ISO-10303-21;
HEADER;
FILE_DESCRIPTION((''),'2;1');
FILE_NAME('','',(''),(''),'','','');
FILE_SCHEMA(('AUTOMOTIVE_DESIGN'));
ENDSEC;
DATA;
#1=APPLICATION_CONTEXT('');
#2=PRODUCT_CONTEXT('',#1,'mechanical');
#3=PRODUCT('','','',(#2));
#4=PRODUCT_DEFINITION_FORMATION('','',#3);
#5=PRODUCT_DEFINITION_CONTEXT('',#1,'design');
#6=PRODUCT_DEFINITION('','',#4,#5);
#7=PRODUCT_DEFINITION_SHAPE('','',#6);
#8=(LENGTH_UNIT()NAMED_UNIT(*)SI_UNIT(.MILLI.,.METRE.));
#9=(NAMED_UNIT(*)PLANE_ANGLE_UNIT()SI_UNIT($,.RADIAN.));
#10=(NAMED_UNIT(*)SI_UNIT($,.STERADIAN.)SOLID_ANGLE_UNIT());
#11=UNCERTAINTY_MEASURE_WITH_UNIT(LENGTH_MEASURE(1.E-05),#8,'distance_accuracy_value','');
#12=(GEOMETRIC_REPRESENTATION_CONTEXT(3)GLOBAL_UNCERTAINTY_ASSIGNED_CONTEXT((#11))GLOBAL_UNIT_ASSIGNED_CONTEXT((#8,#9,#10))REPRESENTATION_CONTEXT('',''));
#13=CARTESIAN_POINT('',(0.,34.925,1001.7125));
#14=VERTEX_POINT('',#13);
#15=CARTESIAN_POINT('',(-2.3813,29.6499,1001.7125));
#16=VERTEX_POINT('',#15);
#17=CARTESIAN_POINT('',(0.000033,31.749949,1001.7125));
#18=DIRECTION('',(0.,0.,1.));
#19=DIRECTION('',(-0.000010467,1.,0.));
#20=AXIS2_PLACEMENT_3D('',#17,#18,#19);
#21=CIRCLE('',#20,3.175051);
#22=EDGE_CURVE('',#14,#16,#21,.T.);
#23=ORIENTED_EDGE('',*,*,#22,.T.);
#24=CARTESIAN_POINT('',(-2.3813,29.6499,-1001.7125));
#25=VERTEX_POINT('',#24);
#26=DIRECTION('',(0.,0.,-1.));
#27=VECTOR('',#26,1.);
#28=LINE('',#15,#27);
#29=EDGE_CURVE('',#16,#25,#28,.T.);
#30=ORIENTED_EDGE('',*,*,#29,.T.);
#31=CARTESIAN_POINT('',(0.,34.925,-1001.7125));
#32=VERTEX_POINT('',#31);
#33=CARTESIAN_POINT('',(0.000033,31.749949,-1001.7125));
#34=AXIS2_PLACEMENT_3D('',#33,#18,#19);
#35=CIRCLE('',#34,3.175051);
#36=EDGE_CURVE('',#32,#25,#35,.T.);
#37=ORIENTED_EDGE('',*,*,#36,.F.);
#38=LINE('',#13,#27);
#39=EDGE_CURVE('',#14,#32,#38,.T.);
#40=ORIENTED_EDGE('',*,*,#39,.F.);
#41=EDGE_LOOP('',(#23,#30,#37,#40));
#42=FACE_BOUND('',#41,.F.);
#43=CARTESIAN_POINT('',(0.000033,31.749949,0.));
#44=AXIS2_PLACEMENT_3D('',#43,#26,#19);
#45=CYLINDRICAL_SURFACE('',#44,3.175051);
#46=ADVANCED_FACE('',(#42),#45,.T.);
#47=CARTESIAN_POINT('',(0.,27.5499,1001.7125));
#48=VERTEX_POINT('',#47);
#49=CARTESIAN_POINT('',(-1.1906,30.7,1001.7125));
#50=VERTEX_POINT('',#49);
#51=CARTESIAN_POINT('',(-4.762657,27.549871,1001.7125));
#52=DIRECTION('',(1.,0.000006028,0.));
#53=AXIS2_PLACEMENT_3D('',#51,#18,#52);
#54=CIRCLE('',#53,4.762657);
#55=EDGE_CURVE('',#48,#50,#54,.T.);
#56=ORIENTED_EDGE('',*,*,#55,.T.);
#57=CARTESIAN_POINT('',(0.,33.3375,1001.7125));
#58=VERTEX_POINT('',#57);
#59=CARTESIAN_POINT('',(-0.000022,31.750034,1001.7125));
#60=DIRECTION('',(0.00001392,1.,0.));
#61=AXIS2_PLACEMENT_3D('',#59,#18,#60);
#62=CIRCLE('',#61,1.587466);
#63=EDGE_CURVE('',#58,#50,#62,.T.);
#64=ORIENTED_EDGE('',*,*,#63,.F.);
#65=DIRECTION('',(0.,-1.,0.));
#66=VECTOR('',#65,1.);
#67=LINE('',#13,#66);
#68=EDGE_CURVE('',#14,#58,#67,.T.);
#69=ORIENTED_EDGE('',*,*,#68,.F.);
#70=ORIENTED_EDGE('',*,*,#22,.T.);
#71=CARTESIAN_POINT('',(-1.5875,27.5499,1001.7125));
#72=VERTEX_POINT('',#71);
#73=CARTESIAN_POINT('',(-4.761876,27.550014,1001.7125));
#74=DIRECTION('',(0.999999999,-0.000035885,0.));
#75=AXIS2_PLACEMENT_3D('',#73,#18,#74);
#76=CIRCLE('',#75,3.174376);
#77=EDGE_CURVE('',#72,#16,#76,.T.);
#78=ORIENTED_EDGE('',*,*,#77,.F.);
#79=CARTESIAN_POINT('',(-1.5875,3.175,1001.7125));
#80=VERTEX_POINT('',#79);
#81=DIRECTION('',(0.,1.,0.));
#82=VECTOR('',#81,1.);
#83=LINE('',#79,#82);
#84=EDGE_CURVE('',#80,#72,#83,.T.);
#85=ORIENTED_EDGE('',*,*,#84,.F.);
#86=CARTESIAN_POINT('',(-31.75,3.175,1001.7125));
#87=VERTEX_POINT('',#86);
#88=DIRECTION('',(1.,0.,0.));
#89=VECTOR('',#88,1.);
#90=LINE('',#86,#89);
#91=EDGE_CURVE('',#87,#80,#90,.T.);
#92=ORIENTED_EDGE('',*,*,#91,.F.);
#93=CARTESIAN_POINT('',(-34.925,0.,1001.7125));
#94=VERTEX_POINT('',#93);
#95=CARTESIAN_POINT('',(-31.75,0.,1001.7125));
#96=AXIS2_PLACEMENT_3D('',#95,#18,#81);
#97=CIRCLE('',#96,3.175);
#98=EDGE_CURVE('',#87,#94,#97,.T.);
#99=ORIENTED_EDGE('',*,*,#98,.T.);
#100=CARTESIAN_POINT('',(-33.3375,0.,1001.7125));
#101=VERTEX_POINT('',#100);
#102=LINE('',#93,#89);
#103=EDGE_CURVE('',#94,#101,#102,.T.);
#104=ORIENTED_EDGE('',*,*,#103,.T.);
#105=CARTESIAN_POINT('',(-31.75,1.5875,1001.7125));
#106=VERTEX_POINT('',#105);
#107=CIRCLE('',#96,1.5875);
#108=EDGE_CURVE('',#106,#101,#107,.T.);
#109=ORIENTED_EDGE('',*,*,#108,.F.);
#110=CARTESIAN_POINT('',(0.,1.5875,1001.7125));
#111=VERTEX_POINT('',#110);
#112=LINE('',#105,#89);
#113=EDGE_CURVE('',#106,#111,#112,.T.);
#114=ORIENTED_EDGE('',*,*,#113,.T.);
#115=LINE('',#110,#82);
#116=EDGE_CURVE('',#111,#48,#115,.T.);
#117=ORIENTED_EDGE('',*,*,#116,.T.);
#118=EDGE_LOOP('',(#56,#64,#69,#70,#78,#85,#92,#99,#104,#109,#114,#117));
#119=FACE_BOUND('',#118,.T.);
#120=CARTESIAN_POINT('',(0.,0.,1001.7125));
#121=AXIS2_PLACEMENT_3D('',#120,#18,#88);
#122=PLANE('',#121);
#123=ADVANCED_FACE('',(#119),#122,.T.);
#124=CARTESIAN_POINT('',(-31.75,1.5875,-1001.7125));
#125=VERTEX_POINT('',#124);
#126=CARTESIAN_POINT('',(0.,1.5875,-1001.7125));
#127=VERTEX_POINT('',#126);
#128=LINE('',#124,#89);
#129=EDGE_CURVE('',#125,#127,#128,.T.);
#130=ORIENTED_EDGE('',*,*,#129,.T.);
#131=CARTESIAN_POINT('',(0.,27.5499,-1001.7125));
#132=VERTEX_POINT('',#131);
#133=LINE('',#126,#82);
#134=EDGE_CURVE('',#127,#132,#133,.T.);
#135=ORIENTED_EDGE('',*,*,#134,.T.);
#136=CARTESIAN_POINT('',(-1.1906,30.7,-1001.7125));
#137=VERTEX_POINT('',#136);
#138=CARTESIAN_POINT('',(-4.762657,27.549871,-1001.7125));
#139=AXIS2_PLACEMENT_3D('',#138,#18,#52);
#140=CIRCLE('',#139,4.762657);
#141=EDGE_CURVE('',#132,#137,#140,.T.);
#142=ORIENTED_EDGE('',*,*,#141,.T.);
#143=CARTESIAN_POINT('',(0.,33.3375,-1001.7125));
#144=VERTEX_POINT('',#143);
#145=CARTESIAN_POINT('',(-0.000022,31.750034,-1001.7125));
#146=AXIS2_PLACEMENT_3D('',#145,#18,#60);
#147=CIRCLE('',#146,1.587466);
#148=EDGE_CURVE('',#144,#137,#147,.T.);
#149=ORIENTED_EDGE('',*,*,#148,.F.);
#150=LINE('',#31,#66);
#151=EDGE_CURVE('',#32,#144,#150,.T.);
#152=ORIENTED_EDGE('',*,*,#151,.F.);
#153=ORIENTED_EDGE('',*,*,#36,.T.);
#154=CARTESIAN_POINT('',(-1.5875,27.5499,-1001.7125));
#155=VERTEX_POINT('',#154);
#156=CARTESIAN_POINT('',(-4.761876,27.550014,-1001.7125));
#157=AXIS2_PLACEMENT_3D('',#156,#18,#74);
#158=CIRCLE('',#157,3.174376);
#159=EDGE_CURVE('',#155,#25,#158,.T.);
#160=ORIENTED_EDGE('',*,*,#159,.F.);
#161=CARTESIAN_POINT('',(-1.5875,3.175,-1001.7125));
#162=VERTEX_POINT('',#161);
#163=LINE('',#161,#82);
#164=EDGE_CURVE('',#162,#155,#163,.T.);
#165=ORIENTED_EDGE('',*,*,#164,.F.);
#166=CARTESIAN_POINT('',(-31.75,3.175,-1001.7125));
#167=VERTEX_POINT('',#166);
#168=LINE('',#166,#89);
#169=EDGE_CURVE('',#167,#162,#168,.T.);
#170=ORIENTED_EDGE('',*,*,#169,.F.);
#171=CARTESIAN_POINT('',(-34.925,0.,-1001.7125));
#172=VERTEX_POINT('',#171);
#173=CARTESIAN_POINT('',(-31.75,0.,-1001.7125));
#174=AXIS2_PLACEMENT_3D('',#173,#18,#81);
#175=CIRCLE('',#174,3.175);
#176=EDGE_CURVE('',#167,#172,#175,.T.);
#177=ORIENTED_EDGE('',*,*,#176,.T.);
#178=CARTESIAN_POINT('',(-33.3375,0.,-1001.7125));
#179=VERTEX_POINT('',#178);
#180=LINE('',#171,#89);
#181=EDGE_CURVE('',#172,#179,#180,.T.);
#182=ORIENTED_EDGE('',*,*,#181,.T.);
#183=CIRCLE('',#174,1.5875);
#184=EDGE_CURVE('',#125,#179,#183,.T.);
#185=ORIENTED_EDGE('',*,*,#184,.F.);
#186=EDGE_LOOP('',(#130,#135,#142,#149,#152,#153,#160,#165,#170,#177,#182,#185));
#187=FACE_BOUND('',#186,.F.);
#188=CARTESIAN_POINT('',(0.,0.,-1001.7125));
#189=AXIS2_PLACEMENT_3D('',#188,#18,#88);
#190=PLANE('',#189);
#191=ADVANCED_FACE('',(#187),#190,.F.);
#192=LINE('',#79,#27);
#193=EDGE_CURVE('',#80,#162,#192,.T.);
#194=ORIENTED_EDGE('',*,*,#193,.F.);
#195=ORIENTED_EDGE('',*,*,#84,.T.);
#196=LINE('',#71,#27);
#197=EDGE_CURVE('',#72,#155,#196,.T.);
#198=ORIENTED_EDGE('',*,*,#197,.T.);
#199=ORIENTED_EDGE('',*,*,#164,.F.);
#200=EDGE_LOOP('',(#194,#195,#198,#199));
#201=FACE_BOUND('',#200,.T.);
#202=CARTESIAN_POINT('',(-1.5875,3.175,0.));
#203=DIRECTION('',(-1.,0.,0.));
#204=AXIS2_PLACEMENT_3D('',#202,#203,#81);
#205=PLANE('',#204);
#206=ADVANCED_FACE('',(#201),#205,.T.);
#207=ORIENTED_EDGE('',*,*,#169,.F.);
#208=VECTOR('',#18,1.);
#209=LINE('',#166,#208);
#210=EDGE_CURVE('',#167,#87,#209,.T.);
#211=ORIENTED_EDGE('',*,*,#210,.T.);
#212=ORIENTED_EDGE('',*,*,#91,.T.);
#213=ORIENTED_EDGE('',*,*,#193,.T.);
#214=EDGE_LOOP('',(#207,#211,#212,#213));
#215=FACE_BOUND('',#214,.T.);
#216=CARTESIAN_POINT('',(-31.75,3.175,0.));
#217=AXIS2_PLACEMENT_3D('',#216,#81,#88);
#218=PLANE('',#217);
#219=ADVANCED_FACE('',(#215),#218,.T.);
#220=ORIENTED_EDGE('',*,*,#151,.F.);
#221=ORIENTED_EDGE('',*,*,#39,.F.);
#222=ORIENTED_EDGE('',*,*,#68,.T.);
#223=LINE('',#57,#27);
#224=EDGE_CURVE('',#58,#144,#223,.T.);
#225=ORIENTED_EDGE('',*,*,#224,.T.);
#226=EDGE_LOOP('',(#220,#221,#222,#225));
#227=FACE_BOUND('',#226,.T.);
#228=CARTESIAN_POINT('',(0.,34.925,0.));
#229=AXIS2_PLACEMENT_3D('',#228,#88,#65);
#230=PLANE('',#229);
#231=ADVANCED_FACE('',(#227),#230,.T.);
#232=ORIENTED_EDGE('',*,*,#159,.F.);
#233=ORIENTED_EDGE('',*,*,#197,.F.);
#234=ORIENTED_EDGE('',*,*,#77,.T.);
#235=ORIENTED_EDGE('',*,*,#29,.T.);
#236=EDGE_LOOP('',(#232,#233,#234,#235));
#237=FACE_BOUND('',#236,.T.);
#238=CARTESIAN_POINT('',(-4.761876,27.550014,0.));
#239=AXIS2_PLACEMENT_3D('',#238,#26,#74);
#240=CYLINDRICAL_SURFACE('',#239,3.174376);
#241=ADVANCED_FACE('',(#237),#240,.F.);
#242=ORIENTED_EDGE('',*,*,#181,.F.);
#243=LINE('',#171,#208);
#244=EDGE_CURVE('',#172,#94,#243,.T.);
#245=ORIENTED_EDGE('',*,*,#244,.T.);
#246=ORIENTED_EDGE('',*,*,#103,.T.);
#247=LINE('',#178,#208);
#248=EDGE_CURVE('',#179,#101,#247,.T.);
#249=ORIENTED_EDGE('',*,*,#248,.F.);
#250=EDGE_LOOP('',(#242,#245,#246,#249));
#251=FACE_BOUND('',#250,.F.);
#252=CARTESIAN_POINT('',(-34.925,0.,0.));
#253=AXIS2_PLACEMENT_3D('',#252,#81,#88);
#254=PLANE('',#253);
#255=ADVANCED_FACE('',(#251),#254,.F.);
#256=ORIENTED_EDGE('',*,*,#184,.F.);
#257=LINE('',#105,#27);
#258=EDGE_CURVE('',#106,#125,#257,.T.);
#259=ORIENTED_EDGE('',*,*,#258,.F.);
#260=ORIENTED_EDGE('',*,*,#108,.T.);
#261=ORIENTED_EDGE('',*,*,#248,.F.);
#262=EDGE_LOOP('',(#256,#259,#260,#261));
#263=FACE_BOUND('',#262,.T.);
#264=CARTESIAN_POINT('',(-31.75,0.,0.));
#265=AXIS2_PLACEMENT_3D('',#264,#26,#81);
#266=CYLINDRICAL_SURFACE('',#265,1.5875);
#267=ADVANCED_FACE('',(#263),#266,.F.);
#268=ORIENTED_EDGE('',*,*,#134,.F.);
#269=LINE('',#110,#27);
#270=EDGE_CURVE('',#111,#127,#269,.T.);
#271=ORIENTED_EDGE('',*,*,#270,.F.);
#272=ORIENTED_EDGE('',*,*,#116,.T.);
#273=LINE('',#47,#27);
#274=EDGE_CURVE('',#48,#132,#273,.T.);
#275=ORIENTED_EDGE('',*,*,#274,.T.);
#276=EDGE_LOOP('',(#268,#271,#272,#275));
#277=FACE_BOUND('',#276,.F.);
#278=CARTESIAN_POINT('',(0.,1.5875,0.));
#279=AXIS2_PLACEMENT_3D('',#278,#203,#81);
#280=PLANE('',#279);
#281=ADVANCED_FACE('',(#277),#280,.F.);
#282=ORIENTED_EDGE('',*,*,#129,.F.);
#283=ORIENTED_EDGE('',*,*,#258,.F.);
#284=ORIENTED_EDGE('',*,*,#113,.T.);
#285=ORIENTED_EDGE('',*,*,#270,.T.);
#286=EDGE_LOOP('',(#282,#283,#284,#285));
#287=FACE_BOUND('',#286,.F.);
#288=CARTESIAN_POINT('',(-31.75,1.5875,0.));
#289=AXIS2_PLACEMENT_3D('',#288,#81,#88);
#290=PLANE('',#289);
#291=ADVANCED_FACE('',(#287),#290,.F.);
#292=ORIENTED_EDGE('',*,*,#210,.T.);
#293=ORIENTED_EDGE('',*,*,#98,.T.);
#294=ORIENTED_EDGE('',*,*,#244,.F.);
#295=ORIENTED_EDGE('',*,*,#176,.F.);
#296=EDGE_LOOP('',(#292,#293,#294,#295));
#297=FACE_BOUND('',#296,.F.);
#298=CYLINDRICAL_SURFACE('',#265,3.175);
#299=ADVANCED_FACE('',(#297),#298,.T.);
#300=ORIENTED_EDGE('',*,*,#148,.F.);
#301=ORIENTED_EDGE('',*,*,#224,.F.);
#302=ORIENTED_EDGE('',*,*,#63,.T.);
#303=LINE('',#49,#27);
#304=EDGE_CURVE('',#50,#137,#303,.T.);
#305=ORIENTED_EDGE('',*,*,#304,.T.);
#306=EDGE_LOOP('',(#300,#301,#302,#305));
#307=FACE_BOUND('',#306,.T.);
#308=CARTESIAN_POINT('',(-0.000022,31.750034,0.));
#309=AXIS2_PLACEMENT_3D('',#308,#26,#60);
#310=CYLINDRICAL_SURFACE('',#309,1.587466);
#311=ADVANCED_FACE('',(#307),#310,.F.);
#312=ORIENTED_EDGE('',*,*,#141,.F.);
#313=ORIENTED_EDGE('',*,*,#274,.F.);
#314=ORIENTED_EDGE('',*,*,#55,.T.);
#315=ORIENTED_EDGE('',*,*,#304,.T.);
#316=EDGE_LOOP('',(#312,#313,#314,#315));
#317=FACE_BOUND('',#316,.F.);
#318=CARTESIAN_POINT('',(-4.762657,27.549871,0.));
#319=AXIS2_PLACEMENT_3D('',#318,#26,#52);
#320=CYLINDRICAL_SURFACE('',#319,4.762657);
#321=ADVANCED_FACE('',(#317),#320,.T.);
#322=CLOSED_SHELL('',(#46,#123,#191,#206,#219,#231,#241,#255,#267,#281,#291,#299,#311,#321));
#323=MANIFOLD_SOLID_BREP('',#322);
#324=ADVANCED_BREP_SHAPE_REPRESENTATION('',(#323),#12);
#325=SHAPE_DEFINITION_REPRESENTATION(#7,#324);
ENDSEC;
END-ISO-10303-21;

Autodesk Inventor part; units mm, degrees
ref_plane "YZ Plane" through (0, 0, 0) normal (1, 0, 0) x (0, 1, 0)
ref_plane "XZ Plane" through (0, 0, 0) normal (0, 1, 0) x (-1, 0, 0)
ref_plane "XY Plane" through (0, 0, 0) normal (0, 0, 1) x (1, 0, 0)
sketch "Sketch1" plane through (0, 0, 0) normal (0, 0, 1) x (1, 0, 0)
  arc A0 (-31.75, 3.175) -> (-34.925, 0) centre (-31.75, 0) ccw
  line L0 (-31.75, 3.175) -> (-1.5875, 3.175)
  line L1 (-1.5875, 3.175) -> (-1.5875, 27.5499)
  arc A1 (-1.5875, 27.5499) -> (-2.3813, 29.6499) centre (-4.7625, 27.5499) ccw
  line L2 (-34.925, 0) -> (-33.3375, 0)
  arc A2 (-31.75, 1.5875) -> (-33.3375, 0) centre (-31.75, 0) ccw
  line L3 (-31.75, 1.5875) -> (0, 1.5875)
  line L4 (0, 1.5875) -> (0, 27.5499)
  arc A3 (0, 34.925) -> (-2.3813, 29.6499) centre (0, 31.75) ccw
  arc A4 (0, 27.5499) -> (-1.1906, 30.7) centre (-4.7625, 27.5499) ccw
  arc A5 (0, 33.3375) -> (-1.1906, 30.7) centre (0, 31.75) ccw
  line L5 (0, 34.925) -> (0, 33.3375)
  point P0 (0, 0)
  dimension "d0" = 34.925
  dimension "d1" = 1.5875
  dimension "d2" = 1.5875
  dimension "d4" = 3.175
  dimension "d5" = 3.175
  dimension "d6" = 34.925
  dimension "d7" = 3.175
  dimension "d8" = 1.5875
extrude "Extrusion1" add sketch "Sketch1" along normal mid plane 2003.425
properties part number "Metal Rail" material "Steel, Galvanized"
